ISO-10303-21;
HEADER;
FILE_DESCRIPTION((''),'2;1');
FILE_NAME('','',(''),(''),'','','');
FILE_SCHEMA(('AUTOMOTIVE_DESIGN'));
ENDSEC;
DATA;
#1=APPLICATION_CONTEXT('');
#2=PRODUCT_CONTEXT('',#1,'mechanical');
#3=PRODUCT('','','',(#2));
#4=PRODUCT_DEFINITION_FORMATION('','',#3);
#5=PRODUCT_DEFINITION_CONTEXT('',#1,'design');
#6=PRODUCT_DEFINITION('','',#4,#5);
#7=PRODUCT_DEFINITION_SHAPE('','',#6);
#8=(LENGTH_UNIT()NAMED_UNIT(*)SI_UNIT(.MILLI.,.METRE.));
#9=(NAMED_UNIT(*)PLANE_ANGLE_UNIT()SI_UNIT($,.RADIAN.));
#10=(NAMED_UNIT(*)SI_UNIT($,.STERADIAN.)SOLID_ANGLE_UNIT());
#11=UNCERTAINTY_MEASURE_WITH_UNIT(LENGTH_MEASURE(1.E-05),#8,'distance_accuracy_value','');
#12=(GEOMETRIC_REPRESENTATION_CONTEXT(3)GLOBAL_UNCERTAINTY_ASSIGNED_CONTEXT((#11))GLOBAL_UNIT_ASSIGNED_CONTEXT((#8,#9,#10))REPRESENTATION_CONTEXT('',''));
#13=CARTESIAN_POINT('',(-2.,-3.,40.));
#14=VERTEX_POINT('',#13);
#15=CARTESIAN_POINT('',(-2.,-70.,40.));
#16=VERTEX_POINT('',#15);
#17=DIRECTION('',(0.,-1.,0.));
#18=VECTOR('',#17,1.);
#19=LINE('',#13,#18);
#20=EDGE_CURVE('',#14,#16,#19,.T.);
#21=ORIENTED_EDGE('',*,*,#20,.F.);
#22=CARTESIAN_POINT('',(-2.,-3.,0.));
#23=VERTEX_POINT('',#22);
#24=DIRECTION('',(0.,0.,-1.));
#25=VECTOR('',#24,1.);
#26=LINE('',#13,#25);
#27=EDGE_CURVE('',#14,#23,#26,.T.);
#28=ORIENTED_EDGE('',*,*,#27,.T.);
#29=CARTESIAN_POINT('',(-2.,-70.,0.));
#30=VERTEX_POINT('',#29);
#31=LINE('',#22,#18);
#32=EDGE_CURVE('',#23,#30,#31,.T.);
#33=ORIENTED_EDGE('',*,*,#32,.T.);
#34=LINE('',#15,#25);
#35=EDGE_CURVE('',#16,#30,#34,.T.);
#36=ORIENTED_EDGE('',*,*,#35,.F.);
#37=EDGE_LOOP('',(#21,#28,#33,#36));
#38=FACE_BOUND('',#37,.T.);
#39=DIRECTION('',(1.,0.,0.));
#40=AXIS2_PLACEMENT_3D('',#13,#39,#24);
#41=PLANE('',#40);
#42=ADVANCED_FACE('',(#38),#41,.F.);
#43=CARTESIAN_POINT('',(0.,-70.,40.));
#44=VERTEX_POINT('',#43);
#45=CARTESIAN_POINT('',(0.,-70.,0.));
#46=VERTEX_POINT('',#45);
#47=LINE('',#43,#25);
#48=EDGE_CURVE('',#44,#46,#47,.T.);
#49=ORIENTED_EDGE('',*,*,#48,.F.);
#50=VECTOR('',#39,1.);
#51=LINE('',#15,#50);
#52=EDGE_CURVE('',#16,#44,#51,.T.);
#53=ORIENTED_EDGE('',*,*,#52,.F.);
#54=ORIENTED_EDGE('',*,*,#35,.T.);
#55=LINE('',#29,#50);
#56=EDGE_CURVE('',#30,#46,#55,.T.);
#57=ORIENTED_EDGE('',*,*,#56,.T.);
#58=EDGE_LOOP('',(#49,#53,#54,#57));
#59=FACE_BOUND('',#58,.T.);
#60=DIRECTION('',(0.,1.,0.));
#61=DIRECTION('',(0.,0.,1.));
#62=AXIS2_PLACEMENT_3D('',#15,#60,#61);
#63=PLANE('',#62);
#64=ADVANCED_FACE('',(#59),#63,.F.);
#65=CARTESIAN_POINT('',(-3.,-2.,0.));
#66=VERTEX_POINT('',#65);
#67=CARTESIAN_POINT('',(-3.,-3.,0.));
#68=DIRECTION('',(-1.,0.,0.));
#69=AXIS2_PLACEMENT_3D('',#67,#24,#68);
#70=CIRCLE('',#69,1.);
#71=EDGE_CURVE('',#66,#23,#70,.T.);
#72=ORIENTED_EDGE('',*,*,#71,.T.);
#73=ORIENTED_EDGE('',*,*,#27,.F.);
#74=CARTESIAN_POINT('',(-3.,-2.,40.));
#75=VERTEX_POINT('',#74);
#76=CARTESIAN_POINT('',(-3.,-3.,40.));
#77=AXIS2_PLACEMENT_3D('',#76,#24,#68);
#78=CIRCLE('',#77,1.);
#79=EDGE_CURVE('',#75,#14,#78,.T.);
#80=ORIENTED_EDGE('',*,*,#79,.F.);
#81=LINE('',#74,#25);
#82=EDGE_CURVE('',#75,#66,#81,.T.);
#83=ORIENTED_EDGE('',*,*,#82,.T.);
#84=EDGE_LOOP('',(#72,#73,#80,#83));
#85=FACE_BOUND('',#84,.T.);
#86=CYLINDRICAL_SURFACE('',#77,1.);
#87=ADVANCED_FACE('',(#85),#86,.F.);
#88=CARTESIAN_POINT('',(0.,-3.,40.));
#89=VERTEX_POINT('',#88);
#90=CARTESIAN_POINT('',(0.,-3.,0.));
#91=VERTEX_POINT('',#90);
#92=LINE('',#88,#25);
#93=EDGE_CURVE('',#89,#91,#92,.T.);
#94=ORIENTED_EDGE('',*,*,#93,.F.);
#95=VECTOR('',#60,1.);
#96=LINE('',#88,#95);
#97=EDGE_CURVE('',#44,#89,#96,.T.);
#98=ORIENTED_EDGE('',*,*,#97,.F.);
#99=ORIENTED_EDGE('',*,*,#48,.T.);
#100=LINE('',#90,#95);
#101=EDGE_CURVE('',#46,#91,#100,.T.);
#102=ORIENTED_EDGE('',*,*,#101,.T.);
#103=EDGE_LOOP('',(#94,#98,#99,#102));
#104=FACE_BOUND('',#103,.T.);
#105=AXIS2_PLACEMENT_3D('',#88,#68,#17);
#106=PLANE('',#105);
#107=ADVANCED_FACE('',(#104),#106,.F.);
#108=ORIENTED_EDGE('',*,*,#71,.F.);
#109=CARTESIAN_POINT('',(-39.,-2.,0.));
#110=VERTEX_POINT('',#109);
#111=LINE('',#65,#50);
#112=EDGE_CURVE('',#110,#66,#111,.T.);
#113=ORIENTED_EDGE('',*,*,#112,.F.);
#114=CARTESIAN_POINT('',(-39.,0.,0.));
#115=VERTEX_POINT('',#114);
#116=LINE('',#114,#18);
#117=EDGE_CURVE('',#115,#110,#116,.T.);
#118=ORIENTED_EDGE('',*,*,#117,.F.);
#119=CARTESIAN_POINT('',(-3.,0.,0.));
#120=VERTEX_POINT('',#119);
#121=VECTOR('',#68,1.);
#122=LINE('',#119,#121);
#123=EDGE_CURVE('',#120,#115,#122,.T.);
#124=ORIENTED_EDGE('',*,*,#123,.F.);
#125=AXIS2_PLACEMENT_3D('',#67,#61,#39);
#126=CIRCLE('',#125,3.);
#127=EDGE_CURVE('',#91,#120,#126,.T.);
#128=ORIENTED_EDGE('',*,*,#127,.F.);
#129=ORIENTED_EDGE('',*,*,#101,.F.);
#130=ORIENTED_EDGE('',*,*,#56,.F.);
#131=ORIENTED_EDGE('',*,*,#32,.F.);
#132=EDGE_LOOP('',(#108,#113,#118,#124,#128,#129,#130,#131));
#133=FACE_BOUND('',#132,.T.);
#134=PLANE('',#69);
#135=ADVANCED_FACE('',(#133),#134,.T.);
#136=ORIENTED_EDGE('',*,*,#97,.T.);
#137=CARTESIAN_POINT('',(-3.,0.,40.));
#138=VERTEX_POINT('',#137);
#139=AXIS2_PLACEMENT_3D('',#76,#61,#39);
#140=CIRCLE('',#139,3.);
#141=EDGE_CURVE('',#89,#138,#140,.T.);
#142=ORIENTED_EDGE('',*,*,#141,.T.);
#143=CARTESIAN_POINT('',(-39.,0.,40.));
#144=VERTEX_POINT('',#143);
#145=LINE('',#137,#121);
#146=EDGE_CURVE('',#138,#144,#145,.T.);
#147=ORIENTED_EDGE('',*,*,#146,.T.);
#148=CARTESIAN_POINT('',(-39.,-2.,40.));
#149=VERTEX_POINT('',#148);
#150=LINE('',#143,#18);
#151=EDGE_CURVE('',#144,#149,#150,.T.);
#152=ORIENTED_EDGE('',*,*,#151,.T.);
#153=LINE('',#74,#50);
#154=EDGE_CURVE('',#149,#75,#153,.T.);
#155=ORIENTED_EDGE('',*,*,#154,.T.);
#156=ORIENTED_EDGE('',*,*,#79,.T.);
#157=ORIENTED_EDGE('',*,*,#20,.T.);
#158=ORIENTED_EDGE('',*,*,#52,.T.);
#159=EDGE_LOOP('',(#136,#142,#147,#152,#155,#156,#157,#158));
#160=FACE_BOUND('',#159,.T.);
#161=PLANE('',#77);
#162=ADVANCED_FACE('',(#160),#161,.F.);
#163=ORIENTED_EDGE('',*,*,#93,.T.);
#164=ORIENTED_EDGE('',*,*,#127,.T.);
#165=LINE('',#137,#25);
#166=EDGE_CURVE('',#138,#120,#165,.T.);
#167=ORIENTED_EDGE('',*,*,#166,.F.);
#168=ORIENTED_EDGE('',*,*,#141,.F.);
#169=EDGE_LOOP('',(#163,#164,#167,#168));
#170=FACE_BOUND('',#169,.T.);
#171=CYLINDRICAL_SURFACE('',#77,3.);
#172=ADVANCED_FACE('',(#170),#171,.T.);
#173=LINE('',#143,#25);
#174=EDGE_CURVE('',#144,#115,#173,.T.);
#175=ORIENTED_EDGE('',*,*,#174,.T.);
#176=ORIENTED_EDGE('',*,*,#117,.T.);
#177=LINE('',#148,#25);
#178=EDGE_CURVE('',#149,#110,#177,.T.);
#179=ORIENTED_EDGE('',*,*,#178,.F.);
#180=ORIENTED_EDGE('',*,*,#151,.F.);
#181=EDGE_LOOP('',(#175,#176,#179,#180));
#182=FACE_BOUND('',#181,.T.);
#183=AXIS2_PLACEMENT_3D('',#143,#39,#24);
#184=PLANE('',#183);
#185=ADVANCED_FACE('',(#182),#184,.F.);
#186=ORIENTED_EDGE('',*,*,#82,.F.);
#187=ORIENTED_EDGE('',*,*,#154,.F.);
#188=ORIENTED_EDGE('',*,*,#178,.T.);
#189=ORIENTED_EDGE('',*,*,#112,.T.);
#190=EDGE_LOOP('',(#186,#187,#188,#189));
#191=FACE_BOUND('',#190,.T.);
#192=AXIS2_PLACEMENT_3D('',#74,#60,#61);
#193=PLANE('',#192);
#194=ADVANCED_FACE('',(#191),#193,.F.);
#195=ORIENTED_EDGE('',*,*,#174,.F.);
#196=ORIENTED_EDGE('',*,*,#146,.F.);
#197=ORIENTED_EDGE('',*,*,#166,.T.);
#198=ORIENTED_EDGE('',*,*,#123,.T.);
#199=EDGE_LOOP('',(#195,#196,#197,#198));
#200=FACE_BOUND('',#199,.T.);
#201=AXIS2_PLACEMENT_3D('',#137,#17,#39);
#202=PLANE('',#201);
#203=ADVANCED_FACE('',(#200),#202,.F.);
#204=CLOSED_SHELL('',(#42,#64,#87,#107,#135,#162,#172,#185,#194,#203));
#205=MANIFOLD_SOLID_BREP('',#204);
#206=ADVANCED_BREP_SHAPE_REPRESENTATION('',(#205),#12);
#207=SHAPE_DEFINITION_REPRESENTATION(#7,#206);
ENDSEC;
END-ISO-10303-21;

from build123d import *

# Parameters (mm, degrees)
EXTRUSION1_DEPTH = 40


with BuildPart() as part:
    # Esquisse1 → Extrusion1 (new body)
    with BuildSketch(Plane.XY):
        with BuildLine():
            Line((-3, 0), (-39, 0))
            Line((-39, 0), (-39, -2))
            Line((-39, -2), (-3, -2))
            ThreePointArc((-3, -2), (-2.292893219, -2.292893219), (-2, -3))
            Line((-2, -3), (-2, -70))
            Line((-2, -70), (0, -70))
            Line((0, -70), (0, -3))
            ThreePointArc((0, -3), (-0.878679656, -0.878679656), (-3, 0))
        make_face()
    extrude(amount=EXTRUSION1_DEPTH)


solid = part.part
